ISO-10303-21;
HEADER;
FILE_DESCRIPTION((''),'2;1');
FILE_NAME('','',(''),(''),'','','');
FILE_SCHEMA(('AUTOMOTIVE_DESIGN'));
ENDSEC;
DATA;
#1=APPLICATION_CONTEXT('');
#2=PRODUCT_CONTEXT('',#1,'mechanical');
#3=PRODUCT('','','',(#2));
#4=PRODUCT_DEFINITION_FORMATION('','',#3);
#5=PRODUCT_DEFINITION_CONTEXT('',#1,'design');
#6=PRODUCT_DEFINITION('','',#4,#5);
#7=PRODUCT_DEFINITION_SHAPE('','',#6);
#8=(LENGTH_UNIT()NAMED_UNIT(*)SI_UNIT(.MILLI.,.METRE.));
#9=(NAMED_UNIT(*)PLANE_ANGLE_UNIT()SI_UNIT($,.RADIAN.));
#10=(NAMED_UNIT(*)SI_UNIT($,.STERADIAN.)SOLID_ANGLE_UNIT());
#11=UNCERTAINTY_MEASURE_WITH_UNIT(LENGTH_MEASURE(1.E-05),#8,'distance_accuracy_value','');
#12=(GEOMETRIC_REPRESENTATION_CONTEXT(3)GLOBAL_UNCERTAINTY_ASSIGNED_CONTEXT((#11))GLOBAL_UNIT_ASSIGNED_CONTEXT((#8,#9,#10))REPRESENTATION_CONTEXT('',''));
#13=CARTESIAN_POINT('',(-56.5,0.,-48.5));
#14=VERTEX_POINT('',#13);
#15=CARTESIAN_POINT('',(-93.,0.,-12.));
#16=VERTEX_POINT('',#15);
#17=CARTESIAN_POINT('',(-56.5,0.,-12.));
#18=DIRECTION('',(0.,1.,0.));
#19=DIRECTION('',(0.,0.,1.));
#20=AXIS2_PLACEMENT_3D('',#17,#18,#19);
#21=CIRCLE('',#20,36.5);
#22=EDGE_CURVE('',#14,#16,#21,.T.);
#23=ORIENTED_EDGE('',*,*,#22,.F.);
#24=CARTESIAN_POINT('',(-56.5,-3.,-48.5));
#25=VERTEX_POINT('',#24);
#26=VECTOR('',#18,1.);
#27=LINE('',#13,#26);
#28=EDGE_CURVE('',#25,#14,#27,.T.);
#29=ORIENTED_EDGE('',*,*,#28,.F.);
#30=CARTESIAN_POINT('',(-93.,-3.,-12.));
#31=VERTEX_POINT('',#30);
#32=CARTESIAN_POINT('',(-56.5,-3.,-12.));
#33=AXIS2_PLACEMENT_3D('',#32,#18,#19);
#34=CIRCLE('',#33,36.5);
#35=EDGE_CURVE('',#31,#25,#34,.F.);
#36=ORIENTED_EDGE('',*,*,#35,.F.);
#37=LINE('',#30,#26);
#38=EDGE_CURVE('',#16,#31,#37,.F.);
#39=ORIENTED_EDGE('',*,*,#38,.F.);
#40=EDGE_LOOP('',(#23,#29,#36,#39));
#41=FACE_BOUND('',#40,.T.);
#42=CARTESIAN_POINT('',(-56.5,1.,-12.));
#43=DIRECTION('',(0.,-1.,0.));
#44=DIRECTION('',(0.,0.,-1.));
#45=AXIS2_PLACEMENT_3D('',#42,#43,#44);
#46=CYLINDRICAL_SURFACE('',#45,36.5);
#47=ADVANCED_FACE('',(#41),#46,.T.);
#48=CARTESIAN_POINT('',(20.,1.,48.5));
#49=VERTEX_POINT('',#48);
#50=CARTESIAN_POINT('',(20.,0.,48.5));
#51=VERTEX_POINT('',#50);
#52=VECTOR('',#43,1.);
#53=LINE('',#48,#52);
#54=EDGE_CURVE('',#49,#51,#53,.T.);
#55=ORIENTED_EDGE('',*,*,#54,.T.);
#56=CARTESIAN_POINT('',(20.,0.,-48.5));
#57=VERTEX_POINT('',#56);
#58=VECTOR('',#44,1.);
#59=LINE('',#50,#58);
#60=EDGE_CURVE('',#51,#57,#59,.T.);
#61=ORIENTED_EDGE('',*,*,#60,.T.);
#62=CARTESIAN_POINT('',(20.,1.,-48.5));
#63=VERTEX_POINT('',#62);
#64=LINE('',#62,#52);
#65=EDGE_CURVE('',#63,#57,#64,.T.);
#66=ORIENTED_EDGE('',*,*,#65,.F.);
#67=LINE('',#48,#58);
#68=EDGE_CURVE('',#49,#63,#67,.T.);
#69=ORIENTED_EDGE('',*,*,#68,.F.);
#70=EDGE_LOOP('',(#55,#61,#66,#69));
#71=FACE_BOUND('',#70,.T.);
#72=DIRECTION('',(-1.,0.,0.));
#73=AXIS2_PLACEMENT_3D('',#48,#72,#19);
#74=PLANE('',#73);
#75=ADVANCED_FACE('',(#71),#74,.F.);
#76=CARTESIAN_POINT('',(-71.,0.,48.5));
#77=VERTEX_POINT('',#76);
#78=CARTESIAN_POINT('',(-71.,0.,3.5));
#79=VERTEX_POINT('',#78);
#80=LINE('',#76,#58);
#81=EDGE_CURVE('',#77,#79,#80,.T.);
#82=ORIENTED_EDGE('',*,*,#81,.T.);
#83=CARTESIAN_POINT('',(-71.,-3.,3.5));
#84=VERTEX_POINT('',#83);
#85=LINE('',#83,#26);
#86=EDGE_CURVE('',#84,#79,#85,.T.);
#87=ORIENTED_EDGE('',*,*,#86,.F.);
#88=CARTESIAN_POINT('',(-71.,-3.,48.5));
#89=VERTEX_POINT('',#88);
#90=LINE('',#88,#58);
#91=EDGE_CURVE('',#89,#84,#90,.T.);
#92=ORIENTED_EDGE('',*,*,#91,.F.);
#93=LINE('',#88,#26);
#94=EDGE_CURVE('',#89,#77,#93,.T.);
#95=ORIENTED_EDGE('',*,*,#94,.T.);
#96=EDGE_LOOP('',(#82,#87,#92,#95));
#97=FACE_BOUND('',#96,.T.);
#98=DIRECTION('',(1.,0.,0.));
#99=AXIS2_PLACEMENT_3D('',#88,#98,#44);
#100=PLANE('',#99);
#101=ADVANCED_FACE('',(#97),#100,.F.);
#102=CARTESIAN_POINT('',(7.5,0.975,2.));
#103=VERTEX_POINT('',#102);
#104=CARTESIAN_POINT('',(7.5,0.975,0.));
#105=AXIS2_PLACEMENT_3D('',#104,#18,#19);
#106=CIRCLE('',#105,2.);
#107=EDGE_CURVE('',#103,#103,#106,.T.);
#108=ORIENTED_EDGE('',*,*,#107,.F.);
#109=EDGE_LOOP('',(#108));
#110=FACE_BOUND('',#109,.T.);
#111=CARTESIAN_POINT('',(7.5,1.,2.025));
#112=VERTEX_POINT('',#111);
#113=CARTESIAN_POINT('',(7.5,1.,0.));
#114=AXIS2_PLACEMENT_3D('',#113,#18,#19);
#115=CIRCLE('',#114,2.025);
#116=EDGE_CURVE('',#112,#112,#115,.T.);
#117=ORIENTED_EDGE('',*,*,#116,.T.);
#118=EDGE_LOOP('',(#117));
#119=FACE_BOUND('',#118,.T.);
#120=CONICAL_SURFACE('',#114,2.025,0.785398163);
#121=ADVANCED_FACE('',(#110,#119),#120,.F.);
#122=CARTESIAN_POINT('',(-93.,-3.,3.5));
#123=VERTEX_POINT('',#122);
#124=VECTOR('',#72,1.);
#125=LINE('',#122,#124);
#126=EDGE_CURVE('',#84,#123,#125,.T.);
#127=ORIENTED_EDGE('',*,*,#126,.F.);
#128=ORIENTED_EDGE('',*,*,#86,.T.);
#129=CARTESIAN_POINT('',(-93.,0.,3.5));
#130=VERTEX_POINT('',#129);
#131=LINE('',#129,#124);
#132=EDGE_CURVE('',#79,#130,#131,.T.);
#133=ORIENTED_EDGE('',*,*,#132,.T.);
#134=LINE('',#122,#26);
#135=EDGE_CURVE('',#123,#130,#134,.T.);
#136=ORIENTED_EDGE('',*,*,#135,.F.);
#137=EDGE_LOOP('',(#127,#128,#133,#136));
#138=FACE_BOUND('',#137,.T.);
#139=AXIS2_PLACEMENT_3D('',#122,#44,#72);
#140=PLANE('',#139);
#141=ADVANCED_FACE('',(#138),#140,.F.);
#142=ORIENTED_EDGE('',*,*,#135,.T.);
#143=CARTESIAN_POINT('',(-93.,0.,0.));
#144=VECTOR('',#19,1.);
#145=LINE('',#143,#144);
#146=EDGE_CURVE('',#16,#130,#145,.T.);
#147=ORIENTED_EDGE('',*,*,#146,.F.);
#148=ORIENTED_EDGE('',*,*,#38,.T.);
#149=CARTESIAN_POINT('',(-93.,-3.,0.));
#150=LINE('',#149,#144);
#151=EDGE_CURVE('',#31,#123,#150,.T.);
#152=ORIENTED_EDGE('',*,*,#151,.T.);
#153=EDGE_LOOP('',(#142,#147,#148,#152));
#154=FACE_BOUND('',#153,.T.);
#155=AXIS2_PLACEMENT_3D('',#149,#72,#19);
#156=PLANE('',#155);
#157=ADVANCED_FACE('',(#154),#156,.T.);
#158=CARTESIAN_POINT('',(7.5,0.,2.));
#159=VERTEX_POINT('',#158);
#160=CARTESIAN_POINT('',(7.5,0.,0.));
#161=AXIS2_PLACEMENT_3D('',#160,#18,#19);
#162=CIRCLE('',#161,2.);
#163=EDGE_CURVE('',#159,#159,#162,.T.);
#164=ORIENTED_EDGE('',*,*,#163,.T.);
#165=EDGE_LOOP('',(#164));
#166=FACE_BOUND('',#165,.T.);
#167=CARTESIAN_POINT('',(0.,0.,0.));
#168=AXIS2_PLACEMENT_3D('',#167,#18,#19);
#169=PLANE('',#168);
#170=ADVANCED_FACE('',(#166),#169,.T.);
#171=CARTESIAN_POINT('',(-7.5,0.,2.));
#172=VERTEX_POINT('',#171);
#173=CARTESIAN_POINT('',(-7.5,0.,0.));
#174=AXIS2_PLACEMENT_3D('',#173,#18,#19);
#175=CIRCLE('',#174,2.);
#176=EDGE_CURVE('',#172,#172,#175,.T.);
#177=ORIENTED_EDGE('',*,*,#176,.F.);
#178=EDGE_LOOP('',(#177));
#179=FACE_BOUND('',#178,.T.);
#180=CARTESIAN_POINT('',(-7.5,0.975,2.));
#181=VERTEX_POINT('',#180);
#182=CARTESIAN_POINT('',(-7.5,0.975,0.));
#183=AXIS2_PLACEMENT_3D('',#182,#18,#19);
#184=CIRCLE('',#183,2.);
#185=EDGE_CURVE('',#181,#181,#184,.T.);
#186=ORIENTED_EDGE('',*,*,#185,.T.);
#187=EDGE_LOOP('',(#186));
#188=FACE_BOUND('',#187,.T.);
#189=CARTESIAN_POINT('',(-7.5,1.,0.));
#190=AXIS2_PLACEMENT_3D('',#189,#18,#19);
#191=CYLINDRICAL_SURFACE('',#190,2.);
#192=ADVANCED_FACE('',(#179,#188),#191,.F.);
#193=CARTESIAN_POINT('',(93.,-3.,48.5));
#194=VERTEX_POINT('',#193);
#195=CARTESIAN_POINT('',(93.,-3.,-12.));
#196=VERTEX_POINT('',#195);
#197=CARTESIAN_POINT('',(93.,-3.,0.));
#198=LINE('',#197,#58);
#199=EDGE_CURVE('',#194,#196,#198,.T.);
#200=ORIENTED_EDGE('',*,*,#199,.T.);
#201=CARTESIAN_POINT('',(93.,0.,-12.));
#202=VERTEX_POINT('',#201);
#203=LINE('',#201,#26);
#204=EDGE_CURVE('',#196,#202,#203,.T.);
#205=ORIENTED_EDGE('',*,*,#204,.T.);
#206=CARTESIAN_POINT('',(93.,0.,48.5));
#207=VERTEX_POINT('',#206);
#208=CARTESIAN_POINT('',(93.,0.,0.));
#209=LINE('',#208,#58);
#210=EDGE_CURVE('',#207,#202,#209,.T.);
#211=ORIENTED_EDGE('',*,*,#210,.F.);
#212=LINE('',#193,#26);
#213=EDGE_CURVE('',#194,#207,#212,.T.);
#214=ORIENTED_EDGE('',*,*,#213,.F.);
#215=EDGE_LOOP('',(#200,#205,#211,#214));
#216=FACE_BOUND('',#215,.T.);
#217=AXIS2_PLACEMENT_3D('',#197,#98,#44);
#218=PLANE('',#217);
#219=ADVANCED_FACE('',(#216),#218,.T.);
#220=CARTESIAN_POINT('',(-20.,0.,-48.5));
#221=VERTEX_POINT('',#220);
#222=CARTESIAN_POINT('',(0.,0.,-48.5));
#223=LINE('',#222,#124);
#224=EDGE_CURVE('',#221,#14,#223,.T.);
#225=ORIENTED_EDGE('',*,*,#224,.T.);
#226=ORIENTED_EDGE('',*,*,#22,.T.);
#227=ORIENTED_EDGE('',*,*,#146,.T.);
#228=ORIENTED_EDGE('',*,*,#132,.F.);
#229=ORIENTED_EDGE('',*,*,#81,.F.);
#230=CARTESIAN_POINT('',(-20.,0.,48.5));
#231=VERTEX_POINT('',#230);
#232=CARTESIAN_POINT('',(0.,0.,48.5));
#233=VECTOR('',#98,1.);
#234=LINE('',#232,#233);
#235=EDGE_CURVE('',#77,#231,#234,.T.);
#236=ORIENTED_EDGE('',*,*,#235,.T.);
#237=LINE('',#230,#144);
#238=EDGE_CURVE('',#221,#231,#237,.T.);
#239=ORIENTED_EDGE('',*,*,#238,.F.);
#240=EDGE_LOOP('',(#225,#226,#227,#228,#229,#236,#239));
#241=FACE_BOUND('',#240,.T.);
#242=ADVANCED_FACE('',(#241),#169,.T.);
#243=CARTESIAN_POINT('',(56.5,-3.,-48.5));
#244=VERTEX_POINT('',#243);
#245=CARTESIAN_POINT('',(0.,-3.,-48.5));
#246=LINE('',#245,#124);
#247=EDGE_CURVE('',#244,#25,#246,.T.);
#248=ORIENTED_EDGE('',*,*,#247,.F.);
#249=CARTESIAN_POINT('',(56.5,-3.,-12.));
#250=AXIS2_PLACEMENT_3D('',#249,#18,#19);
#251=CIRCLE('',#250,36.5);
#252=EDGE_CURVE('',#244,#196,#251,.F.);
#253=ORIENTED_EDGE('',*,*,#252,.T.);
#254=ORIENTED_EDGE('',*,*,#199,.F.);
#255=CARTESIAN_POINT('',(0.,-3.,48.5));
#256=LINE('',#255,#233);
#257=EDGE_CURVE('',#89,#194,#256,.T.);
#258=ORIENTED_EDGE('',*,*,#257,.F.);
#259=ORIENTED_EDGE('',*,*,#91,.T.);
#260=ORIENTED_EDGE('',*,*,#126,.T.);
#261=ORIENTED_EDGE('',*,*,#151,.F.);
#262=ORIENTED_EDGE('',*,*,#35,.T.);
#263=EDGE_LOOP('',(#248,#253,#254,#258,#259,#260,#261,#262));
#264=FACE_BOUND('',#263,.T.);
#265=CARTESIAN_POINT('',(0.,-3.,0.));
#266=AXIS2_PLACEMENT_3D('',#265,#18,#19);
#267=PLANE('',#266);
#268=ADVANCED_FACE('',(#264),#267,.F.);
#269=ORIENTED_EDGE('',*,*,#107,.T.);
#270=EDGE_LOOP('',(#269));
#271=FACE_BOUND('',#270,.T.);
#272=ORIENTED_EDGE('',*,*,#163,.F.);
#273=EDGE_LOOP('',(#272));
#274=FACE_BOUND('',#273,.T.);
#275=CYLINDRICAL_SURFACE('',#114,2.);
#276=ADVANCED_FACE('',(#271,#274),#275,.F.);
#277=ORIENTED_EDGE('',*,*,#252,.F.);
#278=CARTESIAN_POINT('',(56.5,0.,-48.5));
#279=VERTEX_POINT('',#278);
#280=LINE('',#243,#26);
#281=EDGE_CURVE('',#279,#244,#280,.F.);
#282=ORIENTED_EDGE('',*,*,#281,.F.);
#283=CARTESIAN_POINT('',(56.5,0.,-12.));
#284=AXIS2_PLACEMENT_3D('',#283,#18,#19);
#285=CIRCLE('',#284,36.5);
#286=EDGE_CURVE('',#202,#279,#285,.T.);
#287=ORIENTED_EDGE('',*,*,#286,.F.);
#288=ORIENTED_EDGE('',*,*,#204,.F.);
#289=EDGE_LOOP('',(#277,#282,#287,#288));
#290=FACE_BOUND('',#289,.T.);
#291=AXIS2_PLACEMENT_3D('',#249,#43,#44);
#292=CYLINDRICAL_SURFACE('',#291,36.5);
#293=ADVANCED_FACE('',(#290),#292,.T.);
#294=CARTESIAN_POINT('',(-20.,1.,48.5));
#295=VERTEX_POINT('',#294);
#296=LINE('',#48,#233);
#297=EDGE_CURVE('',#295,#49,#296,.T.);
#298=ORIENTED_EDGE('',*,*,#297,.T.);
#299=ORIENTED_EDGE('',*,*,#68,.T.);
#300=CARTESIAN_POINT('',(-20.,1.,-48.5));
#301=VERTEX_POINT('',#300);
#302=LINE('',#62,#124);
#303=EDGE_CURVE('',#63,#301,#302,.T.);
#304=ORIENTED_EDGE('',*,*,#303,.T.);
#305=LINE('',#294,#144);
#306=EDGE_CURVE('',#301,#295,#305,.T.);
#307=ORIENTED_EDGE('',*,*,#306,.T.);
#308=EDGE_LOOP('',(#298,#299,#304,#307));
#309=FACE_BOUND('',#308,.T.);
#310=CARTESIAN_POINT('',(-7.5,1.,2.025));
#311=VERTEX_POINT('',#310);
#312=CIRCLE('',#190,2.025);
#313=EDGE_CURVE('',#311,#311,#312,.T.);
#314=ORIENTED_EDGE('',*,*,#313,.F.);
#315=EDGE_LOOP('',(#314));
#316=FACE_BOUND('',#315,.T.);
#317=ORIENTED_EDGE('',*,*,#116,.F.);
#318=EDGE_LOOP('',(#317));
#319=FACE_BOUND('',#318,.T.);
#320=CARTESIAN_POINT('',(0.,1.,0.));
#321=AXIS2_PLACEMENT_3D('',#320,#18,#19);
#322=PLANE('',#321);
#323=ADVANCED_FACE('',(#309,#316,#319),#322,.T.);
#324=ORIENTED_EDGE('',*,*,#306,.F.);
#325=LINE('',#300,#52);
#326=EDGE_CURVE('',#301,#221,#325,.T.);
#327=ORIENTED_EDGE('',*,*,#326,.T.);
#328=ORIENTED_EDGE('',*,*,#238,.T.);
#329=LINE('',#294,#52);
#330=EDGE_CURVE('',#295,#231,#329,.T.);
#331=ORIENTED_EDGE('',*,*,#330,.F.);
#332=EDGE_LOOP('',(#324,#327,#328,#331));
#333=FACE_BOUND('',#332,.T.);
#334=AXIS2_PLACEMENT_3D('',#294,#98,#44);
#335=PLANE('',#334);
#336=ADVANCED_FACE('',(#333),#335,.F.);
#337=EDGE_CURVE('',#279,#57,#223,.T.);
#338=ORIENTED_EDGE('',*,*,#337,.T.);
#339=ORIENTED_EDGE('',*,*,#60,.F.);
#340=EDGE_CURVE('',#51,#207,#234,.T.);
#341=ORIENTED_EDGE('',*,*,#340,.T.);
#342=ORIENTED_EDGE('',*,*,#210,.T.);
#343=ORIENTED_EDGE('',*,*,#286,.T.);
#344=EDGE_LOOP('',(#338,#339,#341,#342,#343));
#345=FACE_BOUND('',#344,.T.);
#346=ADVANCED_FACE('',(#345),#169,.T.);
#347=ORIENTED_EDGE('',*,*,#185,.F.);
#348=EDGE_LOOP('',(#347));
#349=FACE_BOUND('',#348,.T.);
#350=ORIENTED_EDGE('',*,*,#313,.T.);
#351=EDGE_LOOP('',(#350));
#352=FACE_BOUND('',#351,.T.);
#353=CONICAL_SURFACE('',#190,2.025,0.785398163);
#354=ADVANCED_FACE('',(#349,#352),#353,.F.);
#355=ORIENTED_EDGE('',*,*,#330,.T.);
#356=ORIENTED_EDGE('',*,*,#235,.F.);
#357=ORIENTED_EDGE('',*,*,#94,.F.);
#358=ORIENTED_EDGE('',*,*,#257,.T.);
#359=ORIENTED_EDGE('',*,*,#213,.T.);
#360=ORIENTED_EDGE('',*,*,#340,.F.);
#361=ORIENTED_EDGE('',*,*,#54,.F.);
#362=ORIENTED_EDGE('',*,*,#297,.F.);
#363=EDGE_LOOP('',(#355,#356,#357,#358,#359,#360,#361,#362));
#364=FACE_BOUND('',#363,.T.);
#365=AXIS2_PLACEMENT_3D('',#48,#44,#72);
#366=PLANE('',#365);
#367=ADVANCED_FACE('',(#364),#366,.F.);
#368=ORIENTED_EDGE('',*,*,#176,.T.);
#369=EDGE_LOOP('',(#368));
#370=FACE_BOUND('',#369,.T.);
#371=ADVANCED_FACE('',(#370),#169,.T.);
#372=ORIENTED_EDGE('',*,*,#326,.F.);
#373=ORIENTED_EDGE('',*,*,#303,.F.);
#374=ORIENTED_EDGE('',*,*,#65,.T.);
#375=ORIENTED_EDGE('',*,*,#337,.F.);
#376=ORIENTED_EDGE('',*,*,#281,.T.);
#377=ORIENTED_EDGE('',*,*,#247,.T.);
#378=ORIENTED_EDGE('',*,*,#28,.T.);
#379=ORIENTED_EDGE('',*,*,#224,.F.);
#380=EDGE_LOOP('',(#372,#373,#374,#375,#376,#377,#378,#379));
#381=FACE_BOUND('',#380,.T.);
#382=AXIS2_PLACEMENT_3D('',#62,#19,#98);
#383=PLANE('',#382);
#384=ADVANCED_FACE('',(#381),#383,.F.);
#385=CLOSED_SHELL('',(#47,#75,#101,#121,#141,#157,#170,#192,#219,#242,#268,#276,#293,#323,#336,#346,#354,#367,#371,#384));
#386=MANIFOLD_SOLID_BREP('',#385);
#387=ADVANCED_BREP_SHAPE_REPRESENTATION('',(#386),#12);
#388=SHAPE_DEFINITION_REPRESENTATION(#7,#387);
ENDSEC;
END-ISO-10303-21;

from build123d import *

# Parameters (mm, degrees)
SKETCH_1_W           = 40
SKETCH_1_H           = 97
EXTRUDE_1_DEPTH      = 1
F_4_0MM_1_AT_2_COUNT = 2
F_4_0MM_1_AT_2_PITCH = 15
EXTRUDE_START        = -1
SKETCH_6_2_W         = 186
SKETCH_6_2_H         = 97
EXTRUDE_3_DEPTH      = 3
FILLET_2_R           = 36.5
SKETCH_8_W           = 22
SKETCH_8_H           = 45
CUT_EXTRUDE_2_DEPTH  = 105.929738397


with BuildPart() as part:
    # 草圖1 → 填料-伸長1 (new body)
    with BuildSketch(Plane(origin=(0, 0, 0), x_dir=(1, 0, 0), z_dir=(0, 1, 0))):
        Rectangle(SKETCH_1_W, SKETCH_1_H)
    extrude(amount=EXTRUDE_1_DEPTH)

    # 草圖5 → Ø4.0mm 定位孔1 (revolve, cut)
    with BuildSketch(Plane(origin=(7.5, 1, 0), x_dir=(0, 0, 1), z_dir=(1, 0, 0))):
        Polygon((0, 0), (0, 1), (2, 1), (2, 0.025), (2.025, 0), align=None)
    f_4_0mm_1 = revolve(axis=Axis((7.5, 7.35, 0), (0, -1, 0)), mode=Mode.SUBTRACT)

    # Ø4.0mm 定位孔1 at 2: Ø4.0mm 定位孔1 ×2
    with Locations(*[(-i * F_4_0MM_1_AT_2_PITCH, 0, 0) for i in range(1, F_4_0MM_1_AT_2_COUNT)]):
        add(f_4_0mm_1, mode=Mode.SUBTRACT)

    # 草圖6<2> → 填料-伸長3 (add)
    with BuildSketch(Plane(origin=(0, 1, 0), x_dir=(1, 0, 0), z_dir=(0, 1, 0)).offset(EXTRUDE_START)):
        Rectangle(SKETCH_6_2_W, SKETCH_6_2_H)
    extrude(amount=-EXTRUDE_3_DEPTH)

    # 圓角2
    fillet_2_edges = [part.edges().sort_by_distance(p)[0] for p in [
        (-93, -1.5, -48.5),
        (93, -1.5, -48.5),
    ]]
    fillet(fillet_2_edges, radius=FILLET_2_R)

    # 草圖8 → 除料-伸長2 (cut, through all)
    with BuildSketch(Plane(origin=(0, 0, 0), x_dir=(1, 0, 0), z_dir=(0, 1, 0))):
        with Locations((-82, -26)):
            Rectangle(SKETCH_8_W, SKETCH_8_H)
    extrude(amount=-CUT_EXTRUDE_2_DEPTH, mode=Mode.SUBTRACT)


solid = part.part
